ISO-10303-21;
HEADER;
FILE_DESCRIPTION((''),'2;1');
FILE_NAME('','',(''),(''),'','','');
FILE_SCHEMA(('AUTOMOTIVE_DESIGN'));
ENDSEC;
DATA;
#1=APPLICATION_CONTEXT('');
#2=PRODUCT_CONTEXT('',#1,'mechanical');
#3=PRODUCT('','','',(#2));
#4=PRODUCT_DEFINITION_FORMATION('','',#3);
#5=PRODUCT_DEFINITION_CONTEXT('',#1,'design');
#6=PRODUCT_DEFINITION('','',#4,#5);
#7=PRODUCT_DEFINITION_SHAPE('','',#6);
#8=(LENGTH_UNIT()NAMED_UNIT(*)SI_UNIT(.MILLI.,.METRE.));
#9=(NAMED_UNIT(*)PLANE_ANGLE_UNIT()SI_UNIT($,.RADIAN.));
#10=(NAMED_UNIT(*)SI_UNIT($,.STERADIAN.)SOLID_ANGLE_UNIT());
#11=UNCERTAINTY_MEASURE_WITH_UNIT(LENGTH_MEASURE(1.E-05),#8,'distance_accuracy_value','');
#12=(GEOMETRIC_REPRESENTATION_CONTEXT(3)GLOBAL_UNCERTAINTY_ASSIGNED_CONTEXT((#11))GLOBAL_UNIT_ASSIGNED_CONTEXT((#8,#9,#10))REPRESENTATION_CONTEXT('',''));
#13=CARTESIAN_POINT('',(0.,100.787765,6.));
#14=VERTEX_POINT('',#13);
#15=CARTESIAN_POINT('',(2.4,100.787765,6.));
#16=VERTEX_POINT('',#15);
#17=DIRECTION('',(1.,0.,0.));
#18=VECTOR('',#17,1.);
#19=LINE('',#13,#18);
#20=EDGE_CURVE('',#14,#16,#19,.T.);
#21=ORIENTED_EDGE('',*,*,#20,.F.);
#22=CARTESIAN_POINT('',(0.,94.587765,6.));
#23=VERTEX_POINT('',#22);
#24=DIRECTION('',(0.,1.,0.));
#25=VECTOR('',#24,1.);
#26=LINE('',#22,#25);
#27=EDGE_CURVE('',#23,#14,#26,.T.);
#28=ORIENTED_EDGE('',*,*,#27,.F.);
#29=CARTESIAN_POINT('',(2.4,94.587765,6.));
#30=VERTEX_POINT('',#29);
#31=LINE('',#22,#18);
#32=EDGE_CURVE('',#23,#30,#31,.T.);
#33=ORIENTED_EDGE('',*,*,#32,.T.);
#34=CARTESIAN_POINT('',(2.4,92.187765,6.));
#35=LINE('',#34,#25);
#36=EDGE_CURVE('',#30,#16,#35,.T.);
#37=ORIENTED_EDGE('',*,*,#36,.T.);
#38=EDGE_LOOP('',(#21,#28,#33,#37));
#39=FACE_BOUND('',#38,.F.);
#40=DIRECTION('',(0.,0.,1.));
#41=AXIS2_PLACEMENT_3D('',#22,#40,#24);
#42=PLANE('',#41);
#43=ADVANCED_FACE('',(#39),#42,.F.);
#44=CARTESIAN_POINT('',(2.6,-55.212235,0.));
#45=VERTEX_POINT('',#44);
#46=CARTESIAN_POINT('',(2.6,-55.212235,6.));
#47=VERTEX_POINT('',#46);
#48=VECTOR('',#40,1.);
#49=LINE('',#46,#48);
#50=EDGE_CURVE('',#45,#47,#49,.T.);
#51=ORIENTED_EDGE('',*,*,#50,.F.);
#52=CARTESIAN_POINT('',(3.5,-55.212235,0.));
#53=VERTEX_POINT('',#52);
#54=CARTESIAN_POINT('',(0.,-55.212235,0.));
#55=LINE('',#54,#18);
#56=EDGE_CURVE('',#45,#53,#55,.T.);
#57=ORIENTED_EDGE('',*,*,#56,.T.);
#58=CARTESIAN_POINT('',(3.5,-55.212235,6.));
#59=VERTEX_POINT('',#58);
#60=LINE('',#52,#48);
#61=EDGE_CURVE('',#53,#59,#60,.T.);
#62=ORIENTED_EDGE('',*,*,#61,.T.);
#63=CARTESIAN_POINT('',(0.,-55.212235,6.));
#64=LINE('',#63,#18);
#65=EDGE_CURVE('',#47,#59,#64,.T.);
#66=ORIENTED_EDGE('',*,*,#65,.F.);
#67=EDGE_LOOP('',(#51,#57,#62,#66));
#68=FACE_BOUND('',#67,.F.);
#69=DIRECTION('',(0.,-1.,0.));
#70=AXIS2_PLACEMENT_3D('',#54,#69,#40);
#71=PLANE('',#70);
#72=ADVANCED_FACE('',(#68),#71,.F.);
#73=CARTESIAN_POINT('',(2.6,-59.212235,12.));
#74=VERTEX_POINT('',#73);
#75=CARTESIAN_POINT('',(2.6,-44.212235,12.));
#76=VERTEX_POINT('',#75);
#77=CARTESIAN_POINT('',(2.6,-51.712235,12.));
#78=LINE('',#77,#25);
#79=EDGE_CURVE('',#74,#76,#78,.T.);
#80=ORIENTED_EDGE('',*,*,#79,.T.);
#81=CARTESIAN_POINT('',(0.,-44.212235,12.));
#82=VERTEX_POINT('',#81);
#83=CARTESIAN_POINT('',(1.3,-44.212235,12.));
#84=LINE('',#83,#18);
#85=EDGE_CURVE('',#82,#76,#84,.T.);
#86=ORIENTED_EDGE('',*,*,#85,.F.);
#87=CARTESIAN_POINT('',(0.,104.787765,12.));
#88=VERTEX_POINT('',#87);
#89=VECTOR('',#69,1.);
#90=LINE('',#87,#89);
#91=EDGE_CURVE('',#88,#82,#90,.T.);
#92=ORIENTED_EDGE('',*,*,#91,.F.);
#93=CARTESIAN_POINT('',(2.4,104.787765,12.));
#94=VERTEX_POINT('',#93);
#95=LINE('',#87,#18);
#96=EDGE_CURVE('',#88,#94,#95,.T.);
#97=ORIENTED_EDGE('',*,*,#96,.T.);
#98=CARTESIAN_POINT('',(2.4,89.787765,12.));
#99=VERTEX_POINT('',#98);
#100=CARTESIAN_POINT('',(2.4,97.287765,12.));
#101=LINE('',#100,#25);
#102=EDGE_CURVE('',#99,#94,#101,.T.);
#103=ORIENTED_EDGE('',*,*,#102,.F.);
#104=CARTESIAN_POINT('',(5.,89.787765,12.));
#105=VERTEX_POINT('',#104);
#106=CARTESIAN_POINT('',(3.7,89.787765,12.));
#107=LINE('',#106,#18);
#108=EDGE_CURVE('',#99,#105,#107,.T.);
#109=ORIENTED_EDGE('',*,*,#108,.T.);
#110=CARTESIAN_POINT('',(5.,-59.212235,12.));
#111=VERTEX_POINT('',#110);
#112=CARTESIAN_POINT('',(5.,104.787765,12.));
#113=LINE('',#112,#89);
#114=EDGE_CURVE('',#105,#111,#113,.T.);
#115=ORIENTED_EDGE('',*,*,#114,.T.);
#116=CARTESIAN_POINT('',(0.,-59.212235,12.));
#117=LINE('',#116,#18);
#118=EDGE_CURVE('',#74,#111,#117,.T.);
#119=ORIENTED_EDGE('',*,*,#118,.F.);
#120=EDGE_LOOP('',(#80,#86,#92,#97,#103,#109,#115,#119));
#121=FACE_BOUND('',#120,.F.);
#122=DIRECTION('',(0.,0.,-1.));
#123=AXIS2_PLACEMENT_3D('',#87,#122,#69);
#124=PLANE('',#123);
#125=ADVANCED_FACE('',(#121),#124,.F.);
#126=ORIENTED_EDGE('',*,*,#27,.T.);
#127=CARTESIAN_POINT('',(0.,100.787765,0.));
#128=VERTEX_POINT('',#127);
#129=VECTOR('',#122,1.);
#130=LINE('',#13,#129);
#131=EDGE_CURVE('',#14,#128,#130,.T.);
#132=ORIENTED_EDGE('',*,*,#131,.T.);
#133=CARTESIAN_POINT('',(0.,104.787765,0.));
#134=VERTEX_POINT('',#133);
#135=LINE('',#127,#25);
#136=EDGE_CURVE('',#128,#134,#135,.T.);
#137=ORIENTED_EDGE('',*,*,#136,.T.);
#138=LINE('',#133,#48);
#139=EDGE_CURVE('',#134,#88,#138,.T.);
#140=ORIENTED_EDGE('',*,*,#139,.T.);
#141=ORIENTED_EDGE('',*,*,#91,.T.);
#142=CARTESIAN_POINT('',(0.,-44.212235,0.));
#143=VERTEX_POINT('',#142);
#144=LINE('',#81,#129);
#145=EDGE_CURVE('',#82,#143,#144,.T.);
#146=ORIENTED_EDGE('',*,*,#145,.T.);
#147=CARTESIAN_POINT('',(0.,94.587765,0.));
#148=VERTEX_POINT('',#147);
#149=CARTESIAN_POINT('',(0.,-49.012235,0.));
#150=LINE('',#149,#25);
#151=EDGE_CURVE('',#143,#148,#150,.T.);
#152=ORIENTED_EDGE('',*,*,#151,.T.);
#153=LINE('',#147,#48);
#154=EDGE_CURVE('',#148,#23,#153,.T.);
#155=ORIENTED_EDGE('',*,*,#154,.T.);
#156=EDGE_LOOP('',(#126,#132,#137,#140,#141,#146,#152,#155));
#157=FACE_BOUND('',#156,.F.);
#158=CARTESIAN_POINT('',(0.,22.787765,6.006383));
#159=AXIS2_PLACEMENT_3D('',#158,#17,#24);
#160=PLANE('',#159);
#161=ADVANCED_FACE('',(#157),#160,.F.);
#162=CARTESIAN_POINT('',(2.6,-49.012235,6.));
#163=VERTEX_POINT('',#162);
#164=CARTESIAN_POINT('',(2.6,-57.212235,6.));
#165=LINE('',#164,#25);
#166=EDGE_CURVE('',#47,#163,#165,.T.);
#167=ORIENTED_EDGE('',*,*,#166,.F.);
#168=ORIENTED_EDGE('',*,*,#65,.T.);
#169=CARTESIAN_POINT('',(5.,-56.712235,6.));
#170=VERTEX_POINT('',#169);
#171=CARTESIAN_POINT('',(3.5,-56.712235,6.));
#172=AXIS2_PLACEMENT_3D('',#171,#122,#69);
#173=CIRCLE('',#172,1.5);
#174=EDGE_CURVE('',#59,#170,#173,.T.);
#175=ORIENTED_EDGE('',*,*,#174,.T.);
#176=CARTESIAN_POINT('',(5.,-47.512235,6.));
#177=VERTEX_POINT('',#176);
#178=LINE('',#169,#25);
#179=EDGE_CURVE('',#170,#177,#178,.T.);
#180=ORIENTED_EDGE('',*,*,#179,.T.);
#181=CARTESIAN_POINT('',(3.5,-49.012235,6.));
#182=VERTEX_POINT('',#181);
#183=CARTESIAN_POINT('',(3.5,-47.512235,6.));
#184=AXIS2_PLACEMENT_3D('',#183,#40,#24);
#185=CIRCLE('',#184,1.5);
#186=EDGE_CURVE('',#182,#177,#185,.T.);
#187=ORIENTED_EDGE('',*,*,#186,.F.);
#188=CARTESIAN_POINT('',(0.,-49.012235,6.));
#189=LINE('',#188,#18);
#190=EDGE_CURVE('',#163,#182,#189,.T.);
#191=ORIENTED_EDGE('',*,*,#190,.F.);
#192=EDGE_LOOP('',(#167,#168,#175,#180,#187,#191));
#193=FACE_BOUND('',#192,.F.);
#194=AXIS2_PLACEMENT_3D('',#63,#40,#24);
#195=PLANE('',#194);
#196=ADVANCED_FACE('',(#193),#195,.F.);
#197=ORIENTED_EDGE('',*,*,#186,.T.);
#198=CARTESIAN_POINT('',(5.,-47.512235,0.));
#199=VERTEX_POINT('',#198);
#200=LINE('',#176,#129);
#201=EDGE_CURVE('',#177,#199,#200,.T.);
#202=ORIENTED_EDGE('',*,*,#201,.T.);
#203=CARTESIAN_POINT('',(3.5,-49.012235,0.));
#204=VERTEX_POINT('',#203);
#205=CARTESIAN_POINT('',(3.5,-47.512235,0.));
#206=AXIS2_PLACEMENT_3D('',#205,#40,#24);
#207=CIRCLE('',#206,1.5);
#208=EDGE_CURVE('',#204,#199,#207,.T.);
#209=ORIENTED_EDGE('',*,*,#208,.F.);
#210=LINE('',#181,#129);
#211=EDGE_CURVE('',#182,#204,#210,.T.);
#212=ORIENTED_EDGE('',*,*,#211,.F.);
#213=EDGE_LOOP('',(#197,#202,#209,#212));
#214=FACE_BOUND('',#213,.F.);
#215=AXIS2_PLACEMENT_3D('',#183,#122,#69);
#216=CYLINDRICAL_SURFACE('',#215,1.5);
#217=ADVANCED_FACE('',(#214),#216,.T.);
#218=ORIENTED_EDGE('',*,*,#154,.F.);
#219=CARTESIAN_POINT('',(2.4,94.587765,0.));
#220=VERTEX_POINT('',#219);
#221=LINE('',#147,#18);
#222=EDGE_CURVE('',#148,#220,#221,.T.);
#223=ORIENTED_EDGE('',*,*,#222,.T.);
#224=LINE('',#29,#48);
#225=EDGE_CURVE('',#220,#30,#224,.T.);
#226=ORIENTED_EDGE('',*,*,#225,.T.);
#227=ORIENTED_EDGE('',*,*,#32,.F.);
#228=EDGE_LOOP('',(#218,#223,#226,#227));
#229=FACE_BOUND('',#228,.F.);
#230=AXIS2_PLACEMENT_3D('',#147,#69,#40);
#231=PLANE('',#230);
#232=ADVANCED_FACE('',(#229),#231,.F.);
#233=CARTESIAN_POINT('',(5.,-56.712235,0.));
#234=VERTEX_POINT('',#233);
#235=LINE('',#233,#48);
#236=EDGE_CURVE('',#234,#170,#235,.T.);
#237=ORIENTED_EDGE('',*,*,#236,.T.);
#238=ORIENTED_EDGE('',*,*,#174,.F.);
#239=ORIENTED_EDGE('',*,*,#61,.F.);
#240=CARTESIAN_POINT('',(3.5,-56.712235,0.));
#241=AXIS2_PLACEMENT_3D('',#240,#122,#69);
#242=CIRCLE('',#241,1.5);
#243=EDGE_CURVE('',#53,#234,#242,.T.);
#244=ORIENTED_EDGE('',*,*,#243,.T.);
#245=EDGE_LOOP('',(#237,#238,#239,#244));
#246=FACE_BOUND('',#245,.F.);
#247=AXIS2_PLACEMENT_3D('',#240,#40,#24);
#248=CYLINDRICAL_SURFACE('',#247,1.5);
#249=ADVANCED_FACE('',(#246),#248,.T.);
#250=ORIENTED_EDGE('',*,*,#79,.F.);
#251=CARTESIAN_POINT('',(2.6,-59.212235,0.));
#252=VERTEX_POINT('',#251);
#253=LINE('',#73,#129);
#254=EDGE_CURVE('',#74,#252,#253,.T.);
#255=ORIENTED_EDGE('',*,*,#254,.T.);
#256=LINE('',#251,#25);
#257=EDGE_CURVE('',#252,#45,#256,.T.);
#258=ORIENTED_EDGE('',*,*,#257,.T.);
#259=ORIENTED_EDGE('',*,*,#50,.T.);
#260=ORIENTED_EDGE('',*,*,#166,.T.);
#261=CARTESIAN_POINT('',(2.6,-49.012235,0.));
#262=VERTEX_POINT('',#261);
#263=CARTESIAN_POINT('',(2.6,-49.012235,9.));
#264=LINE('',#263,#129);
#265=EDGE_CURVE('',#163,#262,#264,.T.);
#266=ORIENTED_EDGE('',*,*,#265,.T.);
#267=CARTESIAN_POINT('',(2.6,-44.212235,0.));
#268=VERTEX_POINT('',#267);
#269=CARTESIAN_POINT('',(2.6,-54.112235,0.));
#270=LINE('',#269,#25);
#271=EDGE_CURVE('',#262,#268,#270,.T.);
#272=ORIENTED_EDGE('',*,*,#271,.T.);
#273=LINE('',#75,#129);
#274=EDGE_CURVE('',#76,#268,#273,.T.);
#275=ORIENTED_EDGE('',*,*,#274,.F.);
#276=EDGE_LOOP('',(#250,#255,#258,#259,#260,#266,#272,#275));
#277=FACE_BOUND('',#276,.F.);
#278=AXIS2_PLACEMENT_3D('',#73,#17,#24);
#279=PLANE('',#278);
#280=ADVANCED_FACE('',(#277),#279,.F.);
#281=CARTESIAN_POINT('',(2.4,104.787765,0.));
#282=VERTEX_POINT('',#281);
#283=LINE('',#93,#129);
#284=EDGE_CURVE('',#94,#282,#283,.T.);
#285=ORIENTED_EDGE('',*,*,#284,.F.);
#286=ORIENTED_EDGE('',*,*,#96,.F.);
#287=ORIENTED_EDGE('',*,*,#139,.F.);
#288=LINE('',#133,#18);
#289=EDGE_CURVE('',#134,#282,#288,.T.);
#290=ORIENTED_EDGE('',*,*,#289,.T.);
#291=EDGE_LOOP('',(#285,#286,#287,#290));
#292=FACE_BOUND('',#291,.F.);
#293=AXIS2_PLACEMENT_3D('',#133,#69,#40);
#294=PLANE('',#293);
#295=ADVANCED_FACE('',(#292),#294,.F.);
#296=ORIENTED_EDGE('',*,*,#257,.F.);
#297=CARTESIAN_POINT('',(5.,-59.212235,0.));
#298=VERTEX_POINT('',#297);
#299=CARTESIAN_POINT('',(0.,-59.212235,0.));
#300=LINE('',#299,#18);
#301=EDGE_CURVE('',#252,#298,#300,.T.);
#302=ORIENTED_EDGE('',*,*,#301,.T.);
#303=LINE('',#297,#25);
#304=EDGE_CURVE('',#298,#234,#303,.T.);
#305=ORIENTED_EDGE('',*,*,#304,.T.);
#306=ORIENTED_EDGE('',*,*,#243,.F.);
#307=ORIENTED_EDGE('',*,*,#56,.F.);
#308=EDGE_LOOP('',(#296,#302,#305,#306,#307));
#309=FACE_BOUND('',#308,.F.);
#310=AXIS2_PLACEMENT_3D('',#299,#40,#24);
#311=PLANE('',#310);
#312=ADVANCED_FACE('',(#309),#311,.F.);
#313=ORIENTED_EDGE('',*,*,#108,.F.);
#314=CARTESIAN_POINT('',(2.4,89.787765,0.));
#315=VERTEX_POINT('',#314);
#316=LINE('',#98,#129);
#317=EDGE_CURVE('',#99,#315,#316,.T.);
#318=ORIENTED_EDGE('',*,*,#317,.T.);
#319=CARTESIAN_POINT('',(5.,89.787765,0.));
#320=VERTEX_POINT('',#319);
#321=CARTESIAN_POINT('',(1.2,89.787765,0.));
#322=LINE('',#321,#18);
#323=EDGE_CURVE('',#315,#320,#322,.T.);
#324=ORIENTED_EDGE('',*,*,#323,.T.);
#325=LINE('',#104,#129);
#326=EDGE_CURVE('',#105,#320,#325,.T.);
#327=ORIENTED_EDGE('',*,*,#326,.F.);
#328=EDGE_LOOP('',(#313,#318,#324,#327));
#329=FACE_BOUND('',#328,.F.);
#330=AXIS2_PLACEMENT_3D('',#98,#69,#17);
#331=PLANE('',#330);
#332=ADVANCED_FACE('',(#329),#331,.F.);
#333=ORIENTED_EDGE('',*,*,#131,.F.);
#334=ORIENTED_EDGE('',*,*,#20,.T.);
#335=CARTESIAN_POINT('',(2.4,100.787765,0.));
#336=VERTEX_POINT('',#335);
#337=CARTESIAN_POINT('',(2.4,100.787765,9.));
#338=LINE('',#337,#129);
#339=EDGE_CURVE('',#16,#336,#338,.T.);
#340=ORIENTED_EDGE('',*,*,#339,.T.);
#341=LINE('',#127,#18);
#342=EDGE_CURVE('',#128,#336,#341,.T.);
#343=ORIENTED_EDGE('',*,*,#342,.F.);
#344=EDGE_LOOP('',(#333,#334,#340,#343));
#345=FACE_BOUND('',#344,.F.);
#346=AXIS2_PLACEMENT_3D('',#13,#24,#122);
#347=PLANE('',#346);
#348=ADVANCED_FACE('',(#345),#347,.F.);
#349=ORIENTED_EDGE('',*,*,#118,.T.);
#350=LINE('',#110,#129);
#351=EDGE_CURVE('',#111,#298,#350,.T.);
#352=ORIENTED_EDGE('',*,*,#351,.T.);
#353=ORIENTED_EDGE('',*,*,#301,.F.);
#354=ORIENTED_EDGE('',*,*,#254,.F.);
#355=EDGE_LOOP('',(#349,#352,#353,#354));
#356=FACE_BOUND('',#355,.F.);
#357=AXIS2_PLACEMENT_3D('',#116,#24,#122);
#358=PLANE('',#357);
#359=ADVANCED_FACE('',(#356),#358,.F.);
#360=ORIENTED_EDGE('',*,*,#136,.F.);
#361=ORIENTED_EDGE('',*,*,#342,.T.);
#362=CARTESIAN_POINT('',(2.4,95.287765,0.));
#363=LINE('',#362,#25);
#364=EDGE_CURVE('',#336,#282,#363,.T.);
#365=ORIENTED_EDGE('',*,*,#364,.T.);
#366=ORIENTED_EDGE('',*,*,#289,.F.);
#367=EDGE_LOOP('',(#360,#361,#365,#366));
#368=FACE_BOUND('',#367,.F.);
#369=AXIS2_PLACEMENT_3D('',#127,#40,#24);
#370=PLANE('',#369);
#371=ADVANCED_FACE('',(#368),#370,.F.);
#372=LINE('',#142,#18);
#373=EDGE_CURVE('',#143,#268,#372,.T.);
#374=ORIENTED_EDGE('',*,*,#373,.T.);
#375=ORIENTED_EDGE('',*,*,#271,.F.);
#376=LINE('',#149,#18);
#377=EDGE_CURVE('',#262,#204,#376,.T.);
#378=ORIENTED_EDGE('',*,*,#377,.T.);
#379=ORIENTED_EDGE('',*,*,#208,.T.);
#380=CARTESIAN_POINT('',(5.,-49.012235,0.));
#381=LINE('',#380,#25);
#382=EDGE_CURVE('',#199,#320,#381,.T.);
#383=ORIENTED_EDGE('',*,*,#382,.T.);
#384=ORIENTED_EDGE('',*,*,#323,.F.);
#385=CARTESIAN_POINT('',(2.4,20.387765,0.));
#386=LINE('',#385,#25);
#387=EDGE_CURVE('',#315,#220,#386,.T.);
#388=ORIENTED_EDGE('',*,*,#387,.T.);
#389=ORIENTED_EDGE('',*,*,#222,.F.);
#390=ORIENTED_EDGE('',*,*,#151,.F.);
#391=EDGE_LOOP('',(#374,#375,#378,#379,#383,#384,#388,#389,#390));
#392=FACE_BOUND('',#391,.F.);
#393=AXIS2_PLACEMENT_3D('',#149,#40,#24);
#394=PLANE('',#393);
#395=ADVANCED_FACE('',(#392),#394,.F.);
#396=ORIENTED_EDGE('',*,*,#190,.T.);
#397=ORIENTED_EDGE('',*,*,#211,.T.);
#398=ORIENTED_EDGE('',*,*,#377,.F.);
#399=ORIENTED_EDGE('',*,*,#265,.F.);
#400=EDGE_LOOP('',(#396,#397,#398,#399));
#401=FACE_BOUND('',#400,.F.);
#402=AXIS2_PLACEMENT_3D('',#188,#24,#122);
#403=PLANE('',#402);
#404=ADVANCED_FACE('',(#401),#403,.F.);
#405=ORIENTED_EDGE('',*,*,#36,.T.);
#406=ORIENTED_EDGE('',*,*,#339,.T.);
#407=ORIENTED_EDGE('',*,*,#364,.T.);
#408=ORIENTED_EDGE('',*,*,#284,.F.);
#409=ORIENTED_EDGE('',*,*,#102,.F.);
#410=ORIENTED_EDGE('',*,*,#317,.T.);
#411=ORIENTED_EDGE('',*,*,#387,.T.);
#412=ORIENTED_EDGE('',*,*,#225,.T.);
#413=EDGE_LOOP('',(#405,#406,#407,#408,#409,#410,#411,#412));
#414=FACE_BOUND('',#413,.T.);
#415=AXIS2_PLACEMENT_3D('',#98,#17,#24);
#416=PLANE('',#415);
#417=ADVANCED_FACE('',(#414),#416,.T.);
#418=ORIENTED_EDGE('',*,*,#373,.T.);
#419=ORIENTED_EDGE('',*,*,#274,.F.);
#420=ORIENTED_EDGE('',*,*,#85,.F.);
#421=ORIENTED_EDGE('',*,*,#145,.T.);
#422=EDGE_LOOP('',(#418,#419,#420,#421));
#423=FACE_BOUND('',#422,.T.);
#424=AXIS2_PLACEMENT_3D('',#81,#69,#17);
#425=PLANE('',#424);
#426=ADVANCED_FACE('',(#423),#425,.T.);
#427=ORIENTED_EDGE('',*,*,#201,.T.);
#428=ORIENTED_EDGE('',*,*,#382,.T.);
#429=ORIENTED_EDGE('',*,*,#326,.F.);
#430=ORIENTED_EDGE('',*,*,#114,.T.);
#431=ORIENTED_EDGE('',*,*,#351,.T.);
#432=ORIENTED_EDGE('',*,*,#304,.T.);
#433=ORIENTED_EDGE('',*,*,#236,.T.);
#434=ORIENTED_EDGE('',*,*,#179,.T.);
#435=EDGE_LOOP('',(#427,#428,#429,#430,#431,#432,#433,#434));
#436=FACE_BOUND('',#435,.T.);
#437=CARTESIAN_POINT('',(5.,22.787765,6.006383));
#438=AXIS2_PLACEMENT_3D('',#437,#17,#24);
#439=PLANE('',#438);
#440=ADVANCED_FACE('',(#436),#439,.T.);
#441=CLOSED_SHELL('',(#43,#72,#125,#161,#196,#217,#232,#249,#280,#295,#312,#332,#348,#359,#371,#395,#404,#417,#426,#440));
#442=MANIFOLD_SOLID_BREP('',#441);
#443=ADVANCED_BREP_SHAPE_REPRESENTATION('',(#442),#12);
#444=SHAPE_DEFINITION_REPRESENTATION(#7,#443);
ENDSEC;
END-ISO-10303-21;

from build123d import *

# Parameters (mm, degrees)
F1_DEPTH = 5
F2_R     = 1.5
F3_W     = 2.6
F3_H     = 15
F4_DEPTH = 12.001


with BuildPart() as f1:
    # F0 (on Right) → F1 (new body)
    with BuildSketch(Plane.YZ):
        Polygon((-59.212235, 12), (-59.212235, 0), (-55.212235, 0), (-55.212235, 6), (-49.012235, 6), (-49.012235, 0), (94.587765, 0), (94.587765, 6), (100.787765, 6), (100.787765, 0), (104.787765, 0), (104.787765, 12), align=None)
    extrude(amount=F1_DEPTH)

    # F2
    f2_edges = [f1.edges().sort_by_distance(p)[0] for p in [
        (5, -55.212235, 3),
        (5, -49.012235, 3),
    ]]
    fillet(f2_edges, radius=F2_R)

    # F3 (on face) → F4 (cut, through all)
    with BuildSketch(Plane.XY.offset(12)):
        with Locations((3.7, 97.287765)):
            Rectangle(F3_W, F3_H)
        with Locations((1.3, -51.712235)):
            Rectangle(F3_W, F3_H)
    extrude(amount=-F4_DEPTH, mode=Mode.SUBTRACT)


solid = f1.part
